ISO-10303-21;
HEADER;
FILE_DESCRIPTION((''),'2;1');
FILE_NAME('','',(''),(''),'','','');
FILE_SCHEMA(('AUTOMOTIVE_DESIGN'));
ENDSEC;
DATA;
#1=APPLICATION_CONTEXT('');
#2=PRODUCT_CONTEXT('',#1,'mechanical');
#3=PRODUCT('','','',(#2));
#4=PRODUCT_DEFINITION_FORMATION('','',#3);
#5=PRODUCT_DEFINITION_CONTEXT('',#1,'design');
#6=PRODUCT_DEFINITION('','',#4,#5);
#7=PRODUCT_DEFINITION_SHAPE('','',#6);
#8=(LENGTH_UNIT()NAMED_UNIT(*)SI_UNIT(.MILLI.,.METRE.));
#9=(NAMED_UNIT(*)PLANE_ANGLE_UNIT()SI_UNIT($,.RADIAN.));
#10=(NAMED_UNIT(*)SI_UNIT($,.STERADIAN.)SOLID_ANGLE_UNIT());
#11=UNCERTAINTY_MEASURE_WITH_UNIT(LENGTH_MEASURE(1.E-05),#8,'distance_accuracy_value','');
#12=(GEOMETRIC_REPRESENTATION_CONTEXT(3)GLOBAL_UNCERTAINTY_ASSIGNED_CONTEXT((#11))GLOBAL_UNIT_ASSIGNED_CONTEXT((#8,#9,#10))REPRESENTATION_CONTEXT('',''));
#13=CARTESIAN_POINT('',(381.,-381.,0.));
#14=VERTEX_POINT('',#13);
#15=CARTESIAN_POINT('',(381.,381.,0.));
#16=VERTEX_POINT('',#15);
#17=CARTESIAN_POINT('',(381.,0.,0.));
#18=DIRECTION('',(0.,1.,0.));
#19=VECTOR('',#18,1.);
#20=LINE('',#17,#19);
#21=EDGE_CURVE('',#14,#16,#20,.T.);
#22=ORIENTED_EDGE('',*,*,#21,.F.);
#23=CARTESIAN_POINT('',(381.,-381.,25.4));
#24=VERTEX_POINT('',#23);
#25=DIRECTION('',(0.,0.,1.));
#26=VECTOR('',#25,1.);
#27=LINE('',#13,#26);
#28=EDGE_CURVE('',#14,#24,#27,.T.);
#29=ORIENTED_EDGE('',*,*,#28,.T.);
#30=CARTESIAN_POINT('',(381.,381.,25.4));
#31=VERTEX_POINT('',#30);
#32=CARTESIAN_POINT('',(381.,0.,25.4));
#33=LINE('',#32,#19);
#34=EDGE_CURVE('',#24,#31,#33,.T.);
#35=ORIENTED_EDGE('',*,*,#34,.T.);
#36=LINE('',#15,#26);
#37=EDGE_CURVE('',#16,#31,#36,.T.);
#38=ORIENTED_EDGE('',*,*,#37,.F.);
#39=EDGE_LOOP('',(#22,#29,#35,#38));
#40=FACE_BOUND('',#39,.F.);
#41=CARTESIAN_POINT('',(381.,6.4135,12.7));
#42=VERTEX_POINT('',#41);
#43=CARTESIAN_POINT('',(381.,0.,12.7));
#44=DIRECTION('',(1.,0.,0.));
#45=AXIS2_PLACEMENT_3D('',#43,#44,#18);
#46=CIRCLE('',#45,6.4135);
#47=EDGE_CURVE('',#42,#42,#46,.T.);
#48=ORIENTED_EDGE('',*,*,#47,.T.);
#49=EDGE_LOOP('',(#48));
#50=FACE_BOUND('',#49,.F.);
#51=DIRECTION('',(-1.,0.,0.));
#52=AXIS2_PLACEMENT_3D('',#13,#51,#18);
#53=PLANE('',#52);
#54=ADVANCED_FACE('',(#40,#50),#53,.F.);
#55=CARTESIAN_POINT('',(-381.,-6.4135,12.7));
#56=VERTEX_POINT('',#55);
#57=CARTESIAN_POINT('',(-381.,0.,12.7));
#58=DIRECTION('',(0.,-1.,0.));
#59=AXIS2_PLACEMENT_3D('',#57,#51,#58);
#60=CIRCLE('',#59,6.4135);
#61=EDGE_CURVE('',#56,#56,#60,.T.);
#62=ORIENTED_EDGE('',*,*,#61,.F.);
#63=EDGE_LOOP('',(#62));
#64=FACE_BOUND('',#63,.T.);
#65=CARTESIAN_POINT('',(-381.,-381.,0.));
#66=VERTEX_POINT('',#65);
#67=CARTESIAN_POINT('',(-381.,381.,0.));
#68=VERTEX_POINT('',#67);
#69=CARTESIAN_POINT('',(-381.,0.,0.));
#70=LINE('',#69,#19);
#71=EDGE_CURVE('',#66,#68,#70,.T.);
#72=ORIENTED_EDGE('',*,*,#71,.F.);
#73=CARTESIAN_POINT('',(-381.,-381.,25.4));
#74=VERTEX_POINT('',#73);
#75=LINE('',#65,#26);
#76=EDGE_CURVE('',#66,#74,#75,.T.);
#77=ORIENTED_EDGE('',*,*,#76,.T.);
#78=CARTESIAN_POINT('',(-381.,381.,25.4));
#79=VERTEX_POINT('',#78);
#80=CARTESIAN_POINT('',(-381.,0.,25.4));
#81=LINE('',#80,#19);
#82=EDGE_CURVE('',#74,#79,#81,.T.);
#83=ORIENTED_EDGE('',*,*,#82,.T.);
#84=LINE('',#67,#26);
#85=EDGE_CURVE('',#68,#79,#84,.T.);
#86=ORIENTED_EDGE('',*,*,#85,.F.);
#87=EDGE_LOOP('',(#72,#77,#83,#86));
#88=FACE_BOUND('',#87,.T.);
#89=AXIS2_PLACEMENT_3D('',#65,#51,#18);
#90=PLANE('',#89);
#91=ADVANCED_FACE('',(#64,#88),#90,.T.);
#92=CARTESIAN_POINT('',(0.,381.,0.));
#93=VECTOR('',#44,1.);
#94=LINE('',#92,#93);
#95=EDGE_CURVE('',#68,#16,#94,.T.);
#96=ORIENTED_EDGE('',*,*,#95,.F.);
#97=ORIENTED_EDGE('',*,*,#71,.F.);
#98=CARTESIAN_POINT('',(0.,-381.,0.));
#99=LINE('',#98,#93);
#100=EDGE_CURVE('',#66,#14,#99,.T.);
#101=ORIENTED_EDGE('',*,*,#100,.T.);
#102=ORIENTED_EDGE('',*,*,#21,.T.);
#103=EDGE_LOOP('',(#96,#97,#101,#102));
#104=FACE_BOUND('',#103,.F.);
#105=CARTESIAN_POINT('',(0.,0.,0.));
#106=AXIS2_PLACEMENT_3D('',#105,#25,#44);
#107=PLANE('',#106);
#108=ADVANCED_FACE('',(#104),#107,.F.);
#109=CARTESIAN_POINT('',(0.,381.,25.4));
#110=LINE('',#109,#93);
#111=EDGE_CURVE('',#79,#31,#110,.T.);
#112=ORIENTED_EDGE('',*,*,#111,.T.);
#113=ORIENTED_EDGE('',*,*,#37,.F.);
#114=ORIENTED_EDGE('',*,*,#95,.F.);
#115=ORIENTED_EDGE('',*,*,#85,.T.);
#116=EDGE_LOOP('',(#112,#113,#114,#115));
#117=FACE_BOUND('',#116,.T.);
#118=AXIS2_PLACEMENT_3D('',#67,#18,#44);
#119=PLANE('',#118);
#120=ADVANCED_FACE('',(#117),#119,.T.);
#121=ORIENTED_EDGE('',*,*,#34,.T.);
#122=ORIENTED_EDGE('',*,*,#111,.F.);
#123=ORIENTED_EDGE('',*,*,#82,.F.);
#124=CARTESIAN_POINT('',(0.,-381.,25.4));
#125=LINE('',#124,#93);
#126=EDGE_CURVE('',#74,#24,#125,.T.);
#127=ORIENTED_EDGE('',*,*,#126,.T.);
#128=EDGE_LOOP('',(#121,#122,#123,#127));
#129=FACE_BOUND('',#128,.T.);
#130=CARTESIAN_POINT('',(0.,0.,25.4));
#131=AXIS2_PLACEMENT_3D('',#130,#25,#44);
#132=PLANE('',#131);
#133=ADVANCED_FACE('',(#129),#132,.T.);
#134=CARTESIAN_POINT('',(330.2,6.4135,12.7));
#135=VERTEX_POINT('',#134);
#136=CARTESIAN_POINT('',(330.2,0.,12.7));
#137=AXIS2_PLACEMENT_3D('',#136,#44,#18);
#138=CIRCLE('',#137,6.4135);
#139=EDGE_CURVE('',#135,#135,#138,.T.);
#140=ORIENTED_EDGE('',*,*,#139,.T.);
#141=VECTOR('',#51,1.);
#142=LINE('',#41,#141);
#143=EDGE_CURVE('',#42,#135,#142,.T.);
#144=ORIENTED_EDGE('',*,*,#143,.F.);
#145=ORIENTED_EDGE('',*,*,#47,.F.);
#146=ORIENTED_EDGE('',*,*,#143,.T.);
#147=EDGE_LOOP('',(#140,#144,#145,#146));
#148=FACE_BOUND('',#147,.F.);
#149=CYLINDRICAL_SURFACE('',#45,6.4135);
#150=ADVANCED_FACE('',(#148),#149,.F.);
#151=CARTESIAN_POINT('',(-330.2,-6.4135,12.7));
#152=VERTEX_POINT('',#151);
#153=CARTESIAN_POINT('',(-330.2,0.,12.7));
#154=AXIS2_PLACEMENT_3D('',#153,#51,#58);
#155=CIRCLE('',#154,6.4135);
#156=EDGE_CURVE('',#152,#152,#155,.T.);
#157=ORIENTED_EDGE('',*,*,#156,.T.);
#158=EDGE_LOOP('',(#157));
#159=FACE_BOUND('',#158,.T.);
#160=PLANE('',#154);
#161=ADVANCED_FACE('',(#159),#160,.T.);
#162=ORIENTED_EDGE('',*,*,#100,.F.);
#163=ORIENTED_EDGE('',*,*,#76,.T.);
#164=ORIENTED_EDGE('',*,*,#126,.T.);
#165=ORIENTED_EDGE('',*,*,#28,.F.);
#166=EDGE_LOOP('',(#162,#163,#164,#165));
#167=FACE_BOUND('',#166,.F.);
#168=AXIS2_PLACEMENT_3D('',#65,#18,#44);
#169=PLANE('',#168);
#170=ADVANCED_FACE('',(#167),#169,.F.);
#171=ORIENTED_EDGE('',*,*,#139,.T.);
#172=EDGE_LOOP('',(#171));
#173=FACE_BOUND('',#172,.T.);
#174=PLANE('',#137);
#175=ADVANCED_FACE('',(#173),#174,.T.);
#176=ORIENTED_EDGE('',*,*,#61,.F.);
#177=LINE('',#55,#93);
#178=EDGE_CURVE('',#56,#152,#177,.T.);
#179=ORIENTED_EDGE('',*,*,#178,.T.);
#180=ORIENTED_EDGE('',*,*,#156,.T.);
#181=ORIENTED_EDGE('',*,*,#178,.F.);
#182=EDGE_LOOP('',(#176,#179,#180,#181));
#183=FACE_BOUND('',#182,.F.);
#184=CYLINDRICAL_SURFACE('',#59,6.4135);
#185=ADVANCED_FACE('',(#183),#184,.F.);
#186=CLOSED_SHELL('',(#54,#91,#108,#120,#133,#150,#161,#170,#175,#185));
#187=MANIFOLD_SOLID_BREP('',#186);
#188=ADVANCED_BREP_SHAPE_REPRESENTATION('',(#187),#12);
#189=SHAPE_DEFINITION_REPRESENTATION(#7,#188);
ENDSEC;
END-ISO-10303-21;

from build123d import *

# Parameters (mm, degrees)
F0_W     = 762
F0_H     = 762
F1_DEPTH = 25.4
F2_R     = 6.4135
F3_DEPTH = 50.8
F4_R     = 6.4135
F5_DEPTH = 50.8


with BuildPart() as f1:
    # F0 (on Top) → F1 (new body)
    with BuildSketch(Plane.XY):
        Rectangle(F0_W, F0_H)
    extrude(amount=F1_DEPTH)

    # F2 (on face) → F3 (cut)
    with BuildSketch(Plane.YZ.offset(381)):
        with Locations((0, 12.7)):
            Circle(F2_R)
    extrude(amount=-F3_DEPTH, mode=Mode.SUBTRACT)

    # F4 (on face) → F5 (cut)
    with BuildSketch(Plane(origin=(-381, 0, 0), x_dir=(0, -1, 0), z_dir=(-1, 0, 0))):
        with Locations((0, 12.7)):
            Circle(F4_R)
    extrude(amount=-F5_DEPTH, mode=Mode.SUBTRACT)


solid = f1.part
